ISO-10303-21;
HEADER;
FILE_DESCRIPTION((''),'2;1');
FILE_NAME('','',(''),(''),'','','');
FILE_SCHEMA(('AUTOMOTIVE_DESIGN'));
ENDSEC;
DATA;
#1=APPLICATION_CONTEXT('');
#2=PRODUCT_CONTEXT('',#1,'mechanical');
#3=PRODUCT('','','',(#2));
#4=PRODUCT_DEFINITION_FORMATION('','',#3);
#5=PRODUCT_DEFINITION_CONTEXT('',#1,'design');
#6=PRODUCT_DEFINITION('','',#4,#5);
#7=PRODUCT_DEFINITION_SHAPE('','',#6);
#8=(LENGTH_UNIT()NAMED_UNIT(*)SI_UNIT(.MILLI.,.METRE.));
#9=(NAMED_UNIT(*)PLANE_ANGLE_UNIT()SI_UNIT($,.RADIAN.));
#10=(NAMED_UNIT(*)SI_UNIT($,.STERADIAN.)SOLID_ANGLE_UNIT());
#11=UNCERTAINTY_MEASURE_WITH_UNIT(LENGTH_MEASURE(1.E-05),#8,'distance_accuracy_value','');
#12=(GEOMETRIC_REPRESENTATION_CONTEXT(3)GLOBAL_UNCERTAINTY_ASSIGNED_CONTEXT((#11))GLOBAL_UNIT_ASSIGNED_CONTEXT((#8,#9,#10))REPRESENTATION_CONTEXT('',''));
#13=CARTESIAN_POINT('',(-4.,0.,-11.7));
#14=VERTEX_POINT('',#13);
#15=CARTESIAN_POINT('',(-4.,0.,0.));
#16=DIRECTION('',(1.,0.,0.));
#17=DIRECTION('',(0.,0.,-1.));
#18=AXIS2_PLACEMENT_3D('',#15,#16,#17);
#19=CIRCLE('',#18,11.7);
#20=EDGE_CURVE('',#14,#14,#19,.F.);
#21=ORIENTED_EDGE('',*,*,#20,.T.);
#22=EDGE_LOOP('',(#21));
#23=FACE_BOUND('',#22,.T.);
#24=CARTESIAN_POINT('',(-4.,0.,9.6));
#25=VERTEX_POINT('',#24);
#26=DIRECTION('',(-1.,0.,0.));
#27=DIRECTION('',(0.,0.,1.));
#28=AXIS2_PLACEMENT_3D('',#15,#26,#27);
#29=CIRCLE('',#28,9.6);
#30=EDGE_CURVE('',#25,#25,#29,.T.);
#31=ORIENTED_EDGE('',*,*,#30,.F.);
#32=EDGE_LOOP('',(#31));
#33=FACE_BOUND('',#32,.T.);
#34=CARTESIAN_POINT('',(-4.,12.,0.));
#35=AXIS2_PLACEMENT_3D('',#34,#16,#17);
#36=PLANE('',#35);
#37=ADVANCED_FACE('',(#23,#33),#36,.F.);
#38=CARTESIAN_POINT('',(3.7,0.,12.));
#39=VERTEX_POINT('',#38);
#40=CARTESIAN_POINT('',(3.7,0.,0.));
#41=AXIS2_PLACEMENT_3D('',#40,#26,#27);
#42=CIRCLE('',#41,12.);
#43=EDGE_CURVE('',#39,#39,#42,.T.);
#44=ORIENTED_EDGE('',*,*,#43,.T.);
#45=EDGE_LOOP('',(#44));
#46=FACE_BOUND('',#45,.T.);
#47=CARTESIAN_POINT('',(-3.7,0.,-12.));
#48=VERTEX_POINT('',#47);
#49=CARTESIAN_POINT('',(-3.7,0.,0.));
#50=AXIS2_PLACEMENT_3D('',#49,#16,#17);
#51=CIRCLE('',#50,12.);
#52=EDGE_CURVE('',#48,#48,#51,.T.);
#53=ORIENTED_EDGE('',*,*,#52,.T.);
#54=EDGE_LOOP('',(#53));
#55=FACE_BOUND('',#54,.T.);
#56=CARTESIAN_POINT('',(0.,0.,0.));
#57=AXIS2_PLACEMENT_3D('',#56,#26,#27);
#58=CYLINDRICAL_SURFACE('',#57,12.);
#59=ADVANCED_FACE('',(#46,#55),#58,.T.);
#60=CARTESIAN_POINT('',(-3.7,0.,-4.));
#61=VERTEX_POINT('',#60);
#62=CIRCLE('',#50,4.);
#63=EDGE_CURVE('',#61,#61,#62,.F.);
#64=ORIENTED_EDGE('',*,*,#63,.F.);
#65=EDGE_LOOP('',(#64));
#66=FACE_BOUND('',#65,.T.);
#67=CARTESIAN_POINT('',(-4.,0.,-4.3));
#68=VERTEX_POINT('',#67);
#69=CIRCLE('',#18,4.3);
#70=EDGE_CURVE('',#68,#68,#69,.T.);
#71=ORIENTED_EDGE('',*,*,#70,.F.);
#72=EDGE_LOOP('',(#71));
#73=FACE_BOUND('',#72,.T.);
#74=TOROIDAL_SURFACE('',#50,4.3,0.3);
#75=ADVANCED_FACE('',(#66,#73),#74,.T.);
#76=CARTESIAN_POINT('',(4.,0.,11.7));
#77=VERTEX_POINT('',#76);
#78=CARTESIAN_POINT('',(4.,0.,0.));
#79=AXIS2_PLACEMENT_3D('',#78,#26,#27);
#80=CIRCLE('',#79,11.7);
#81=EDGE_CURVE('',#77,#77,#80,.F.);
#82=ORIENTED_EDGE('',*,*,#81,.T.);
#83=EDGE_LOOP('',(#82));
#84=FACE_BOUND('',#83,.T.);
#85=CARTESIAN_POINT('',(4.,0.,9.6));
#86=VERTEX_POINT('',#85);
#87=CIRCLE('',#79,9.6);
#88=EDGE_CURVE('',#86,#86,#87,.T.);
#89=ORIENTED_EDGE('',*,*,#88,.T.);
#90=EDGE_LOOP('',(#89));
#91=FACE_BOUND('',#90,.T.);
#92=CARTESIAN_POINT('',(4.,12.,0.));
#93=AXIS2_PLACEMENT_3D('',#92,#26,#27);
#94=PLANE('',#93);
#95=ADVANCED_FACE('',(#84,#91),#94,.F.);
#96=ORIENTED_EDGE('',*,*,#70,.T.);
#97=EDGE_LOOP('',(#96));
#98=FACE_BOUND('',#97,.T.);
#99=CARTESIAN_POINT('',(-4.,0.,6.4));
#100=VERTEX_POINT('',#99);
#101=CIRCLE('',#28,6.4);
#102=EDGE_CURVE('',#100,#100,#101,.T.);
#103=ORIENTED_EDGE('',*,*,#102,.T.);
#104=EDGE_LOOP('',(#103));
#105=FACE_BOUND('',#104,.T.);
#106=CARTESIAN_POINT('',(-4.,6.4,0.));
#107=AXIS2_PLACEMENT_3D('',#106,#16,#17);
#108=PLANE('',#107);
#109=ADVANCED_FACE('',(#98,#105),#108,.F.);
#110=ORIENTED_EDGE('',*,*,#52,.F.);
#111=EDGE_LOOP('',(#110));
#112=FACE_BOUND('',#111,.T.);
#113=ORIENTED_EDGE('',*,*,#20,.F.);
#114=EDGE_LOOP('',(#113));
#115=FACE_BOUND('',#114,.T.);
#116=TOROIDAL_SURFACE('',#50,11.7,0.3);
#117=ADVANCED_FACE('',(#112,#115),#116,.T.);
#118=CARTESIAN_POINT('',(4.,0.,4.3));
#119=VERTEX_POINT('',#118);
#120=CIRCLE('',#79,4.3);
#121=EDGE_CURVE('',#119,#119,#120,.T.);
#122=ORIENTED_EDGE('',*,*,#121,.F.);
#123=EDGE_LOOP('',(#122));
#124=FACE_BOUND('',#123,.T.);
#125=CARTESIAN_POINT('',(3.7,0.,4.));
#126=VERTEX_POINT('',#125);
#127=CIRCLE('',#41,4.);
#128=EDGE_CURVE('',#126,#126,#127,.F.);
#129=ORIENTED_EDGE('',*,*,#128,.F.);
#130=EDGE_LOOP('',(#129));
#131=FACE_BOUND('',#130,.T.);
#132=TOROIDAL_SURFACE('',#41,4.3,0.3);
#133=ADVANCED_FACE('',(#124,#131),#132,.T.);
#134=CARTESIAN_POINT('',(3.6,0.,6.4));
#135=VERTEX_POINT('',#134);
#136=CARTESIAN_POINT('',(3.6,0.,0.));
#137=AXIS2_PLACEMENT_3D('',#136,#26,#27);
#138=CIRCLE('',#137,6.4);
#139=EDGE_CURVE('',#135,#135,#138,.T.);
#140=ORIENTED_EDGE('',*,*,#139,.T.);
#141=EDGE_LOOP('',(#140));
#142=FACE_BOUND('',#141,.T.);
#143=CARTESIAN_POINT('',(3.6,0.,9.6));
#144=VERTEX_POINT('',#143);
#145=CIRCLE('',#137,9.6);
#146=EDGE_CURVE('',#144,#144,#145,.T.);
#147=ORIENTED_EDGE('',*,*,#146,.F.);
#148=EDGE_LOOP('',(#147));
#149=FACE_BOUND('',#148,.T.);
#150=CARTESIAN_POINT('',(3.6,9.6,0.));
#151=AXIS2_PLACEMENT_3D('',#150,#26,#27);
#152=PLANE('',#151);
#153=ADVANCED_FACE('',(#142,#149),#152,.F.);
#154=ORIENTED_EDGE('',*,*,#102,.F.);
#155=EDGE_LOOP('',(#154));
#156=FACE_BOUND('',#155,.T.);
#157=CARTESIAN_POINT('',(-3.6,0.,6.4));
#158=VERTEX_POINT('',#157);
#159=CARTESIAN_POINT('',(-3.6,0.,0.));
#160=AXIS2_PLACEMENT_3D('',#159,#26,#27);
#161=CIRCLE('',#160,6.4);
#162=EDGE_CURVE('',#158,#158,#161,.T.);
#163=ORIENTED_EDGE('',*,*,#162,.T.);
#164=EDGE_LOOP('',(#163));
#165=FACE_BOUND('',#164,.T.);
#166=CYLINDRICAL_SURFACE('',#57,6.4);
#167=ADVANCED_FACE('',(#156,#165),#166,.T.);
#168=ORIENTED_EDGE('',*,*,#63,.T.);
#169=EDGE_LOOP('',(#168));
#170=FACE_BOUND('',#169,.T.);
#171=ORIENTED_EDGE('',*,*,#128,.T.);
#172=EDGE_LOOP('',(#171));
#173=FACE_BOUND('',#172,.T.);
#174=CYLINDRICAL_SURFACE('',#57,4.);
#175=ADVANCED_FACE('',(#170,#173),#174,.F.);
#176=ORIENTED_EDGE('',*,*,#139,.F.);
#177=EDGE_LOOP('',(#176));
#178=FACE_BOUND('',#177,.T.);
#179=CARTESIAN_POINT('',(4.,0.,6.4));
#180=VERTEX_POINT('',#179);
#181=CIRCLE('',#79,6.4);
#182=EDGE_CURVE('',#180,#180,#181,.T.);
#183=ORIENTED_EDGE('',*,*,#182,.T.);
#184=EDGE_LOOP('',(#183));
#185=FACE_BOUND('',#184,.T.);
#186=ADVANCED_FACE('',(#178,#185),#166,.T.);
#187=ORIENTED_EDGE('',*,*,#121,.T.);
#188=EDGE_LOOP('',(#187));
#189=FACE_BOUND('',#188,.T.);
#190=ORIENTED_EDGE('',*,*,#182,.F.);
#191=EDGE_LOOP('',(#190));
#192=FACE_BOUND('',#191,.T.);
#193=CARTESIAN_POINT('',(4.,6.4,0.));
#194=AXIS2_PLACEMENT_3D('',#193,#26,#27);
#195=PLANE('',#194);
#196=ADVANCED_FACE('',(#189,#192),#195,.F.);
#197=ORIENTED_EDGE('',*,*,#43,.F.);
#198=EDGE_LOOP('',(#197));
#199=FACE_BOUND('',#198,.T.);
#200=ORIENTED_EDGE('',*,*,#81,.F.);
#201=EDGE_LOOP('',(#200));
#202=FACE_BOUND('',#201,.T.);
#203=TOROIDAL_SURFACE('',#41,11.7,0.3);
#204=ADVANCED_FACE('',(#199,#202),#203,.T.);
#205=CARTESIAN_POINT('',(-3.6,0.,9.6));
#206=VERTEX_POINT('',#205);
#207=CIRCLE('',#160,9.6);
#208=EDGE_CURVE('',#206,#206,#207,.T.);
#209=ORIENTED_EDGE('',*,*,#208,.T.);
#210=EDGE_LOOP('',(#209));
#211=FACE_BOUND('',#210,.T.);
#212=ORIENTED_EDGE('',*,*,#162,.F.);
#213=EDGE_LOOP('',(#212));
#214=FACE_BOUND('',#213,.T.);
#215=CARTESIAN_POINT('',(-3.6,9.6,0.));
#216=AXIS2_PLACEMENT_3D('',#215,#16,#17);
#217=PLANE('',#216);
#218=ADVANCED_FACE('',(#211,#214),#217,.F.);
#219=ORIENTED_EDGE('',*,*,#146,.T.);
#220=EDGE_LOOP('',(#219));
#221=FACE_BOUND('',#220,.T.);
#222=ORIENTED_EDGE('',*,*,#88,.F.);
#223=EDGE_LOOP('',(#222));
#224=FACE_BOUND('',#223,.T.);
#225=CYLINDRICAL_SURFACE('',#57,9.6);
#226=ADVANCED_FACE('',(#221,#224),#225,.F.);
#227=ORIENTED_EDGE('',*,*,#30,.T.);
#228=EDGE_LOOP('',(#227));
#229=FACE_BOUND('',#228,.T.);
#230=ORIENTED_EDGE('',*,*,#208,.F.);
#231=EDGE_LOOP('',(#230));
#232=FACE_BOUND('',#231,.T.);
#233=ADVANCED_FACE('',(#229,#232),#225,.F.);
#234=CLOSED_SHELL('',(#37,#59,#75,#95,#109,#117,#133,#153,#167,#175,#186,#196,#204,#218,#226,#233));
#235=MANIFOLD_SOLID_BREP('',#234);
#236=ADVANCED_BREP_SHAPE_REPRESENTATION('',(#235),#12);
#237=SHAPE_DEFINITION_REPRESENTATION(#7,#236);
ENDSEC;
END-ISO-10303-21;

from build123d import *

# Parameters (mm, degrees)
FILLET_1_R = 0.3


with BuildPart() as part:
    # 草图1 → 旋转1 (revolve)
    with BuildSketch(Plane.XY, mode=Mode.PRIVATE) as revolve_1_sk:
        Polygon((-4, 12), (4, 12), (4, 9.6), (3.6, 9.6), (3.6, 6.4), (4, 6.4), (4, 4), (-4, 4), (-4, 6.4), (-3.6, 6.4), (-3.6, 9.6), (-4, 9.6), align=None)
    revolve(revolve_1_sk.sketch.rotate(Axis((0, 0, 0), (1, 0, 0)), 90), axis=Axis((0, 0, 0), (1, 0, 0)))

    # 圆角1
    fillet_1_edges = [part.edges().sort_by_distance(p)[0] for p in [
        (4, 0, -4),
        (-4, 0, -4),
        (-4, 0, -12),
        (4, 0, -12),
    ]]
    fillet(fillet_1_edges, radius=FILLET_1_R)


solid = part.part
